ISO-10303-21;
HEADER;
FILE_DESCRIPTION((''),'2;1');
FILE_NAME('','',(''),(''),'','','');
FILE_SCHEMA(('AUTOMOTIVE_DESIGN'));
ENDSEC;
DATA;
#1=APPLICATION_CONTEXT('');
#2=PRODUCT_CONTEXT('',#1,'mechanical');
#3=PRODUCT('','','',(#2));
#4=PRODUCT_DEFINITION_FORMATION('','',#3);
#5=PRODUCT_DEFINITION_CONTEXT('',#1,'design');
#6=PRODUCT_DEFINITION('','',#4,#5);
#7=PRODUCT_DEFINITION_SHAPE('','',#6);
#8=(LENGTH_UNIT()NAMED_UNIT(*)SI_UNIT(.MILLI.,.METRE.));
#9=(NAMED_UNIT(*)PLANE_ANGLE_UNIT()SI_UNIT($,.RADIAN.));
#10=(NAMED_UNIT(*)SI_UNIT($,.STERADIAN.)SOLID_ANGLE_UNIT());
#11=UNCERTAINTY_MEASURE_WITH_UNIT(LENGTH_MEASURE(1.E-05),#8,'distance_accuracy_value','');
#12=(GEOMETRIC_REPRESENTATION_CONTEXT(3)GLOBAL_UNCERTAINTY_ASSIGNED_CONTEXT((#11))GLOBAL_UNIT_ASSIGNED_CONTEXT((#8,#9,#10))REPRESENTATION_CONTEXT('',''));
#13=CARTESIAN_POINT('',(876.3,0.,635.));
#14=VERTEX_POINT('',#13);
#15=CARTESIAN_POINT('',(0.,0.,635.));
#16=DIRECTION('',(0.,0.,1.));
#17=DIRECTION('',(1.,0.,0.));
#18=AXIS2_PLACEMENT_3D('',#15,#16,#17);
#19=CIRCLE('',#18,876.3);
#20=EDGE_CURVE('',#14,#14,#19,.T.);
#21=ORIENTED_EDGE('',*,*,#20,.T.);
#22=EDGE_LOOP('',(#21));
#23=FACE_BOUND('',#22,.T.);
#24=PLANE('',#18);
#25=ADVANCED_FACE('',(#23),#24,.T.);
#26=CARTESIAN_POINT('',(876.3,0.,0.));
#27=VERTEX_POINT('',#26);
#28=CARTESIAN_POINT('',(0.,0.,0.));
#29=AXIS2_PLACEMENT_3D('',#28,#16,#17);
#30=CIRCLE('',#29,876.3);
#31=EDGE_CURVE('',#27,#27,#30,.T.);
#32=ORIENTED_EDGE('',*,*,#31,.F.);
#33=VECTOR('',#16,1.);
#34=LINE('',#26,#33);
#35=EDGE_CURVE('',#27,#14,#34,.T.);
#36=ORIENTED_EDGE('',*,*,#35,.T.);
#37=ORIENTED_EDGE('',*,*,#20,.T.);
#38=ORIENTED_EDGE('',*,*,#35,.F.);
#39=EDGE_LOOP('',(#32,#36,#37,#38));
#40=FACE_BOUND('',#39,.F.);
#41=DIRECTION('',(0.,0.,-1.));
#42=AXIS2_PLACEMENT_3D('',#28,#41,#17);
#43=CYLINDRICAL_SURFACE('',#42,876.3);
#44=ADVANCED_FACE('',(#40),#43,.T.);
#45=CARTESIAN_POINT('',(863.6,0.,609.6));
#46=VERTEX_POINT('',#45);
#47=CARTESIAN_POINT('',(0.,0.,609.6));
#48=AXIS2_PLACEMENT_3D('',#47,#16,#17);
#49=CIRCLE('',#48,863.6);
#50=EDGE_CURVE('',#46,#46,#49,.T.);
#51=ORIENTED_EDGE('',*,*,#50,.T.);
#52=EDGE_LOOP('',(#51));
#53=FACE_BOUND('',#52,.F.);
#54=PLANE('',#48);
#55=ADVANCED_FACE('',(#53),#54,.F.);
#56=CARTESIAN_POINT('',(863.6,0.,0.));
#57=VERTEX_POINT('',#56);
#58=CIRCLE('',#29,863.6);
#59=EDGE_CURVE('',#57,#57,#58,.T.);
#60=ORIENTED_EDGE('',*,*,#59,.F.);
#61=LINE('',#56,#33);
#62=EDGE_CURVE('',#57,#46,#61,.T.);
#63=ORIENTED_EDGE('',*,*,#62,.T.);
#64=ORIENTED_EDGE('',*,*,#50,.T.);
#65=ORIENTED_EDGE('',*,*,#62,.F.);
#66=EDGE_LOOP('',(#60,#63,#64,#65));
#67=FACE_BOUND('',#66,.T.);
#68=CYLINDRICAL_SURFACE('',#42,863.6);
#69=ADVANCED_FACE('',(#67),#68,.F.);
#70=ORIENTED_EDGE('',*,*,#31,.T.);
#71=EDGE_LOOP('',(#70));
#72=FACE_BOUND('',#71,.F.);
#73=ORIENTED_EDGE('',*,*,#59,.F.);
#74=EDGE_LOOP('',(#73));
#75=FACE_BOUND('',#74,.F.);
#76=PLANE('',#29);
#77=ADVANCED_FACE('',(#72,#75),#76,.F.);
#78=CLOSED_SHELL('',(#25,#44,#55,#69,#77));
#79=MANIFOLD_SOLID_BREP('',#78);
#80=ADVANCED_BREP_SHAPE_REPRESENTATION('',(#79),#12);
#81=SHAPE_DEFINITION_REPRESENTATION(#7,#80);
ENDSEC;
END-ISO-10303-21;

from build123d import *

# Parameters (mm, degrees)
F0_R     = 876.3
F1_DEPTH = 635
F2_R     = 863.6
F3_DEPTH = 609.6


with BuildPart() as f1:
    # F0 (on Top) → F1 (new body)
    with BuildSketch(Plane.XY):
        Circle(F0_R)
    extrude(amount=F1_DEPTH)

    # F2 (on face) → F3 (cut)
    with BuildSketch(Plane.XY):
        Circle(F2_R)
    extrude(amount=F3_DEPTH, mode=Mode.SUBTRACT)


solid = f1.part
